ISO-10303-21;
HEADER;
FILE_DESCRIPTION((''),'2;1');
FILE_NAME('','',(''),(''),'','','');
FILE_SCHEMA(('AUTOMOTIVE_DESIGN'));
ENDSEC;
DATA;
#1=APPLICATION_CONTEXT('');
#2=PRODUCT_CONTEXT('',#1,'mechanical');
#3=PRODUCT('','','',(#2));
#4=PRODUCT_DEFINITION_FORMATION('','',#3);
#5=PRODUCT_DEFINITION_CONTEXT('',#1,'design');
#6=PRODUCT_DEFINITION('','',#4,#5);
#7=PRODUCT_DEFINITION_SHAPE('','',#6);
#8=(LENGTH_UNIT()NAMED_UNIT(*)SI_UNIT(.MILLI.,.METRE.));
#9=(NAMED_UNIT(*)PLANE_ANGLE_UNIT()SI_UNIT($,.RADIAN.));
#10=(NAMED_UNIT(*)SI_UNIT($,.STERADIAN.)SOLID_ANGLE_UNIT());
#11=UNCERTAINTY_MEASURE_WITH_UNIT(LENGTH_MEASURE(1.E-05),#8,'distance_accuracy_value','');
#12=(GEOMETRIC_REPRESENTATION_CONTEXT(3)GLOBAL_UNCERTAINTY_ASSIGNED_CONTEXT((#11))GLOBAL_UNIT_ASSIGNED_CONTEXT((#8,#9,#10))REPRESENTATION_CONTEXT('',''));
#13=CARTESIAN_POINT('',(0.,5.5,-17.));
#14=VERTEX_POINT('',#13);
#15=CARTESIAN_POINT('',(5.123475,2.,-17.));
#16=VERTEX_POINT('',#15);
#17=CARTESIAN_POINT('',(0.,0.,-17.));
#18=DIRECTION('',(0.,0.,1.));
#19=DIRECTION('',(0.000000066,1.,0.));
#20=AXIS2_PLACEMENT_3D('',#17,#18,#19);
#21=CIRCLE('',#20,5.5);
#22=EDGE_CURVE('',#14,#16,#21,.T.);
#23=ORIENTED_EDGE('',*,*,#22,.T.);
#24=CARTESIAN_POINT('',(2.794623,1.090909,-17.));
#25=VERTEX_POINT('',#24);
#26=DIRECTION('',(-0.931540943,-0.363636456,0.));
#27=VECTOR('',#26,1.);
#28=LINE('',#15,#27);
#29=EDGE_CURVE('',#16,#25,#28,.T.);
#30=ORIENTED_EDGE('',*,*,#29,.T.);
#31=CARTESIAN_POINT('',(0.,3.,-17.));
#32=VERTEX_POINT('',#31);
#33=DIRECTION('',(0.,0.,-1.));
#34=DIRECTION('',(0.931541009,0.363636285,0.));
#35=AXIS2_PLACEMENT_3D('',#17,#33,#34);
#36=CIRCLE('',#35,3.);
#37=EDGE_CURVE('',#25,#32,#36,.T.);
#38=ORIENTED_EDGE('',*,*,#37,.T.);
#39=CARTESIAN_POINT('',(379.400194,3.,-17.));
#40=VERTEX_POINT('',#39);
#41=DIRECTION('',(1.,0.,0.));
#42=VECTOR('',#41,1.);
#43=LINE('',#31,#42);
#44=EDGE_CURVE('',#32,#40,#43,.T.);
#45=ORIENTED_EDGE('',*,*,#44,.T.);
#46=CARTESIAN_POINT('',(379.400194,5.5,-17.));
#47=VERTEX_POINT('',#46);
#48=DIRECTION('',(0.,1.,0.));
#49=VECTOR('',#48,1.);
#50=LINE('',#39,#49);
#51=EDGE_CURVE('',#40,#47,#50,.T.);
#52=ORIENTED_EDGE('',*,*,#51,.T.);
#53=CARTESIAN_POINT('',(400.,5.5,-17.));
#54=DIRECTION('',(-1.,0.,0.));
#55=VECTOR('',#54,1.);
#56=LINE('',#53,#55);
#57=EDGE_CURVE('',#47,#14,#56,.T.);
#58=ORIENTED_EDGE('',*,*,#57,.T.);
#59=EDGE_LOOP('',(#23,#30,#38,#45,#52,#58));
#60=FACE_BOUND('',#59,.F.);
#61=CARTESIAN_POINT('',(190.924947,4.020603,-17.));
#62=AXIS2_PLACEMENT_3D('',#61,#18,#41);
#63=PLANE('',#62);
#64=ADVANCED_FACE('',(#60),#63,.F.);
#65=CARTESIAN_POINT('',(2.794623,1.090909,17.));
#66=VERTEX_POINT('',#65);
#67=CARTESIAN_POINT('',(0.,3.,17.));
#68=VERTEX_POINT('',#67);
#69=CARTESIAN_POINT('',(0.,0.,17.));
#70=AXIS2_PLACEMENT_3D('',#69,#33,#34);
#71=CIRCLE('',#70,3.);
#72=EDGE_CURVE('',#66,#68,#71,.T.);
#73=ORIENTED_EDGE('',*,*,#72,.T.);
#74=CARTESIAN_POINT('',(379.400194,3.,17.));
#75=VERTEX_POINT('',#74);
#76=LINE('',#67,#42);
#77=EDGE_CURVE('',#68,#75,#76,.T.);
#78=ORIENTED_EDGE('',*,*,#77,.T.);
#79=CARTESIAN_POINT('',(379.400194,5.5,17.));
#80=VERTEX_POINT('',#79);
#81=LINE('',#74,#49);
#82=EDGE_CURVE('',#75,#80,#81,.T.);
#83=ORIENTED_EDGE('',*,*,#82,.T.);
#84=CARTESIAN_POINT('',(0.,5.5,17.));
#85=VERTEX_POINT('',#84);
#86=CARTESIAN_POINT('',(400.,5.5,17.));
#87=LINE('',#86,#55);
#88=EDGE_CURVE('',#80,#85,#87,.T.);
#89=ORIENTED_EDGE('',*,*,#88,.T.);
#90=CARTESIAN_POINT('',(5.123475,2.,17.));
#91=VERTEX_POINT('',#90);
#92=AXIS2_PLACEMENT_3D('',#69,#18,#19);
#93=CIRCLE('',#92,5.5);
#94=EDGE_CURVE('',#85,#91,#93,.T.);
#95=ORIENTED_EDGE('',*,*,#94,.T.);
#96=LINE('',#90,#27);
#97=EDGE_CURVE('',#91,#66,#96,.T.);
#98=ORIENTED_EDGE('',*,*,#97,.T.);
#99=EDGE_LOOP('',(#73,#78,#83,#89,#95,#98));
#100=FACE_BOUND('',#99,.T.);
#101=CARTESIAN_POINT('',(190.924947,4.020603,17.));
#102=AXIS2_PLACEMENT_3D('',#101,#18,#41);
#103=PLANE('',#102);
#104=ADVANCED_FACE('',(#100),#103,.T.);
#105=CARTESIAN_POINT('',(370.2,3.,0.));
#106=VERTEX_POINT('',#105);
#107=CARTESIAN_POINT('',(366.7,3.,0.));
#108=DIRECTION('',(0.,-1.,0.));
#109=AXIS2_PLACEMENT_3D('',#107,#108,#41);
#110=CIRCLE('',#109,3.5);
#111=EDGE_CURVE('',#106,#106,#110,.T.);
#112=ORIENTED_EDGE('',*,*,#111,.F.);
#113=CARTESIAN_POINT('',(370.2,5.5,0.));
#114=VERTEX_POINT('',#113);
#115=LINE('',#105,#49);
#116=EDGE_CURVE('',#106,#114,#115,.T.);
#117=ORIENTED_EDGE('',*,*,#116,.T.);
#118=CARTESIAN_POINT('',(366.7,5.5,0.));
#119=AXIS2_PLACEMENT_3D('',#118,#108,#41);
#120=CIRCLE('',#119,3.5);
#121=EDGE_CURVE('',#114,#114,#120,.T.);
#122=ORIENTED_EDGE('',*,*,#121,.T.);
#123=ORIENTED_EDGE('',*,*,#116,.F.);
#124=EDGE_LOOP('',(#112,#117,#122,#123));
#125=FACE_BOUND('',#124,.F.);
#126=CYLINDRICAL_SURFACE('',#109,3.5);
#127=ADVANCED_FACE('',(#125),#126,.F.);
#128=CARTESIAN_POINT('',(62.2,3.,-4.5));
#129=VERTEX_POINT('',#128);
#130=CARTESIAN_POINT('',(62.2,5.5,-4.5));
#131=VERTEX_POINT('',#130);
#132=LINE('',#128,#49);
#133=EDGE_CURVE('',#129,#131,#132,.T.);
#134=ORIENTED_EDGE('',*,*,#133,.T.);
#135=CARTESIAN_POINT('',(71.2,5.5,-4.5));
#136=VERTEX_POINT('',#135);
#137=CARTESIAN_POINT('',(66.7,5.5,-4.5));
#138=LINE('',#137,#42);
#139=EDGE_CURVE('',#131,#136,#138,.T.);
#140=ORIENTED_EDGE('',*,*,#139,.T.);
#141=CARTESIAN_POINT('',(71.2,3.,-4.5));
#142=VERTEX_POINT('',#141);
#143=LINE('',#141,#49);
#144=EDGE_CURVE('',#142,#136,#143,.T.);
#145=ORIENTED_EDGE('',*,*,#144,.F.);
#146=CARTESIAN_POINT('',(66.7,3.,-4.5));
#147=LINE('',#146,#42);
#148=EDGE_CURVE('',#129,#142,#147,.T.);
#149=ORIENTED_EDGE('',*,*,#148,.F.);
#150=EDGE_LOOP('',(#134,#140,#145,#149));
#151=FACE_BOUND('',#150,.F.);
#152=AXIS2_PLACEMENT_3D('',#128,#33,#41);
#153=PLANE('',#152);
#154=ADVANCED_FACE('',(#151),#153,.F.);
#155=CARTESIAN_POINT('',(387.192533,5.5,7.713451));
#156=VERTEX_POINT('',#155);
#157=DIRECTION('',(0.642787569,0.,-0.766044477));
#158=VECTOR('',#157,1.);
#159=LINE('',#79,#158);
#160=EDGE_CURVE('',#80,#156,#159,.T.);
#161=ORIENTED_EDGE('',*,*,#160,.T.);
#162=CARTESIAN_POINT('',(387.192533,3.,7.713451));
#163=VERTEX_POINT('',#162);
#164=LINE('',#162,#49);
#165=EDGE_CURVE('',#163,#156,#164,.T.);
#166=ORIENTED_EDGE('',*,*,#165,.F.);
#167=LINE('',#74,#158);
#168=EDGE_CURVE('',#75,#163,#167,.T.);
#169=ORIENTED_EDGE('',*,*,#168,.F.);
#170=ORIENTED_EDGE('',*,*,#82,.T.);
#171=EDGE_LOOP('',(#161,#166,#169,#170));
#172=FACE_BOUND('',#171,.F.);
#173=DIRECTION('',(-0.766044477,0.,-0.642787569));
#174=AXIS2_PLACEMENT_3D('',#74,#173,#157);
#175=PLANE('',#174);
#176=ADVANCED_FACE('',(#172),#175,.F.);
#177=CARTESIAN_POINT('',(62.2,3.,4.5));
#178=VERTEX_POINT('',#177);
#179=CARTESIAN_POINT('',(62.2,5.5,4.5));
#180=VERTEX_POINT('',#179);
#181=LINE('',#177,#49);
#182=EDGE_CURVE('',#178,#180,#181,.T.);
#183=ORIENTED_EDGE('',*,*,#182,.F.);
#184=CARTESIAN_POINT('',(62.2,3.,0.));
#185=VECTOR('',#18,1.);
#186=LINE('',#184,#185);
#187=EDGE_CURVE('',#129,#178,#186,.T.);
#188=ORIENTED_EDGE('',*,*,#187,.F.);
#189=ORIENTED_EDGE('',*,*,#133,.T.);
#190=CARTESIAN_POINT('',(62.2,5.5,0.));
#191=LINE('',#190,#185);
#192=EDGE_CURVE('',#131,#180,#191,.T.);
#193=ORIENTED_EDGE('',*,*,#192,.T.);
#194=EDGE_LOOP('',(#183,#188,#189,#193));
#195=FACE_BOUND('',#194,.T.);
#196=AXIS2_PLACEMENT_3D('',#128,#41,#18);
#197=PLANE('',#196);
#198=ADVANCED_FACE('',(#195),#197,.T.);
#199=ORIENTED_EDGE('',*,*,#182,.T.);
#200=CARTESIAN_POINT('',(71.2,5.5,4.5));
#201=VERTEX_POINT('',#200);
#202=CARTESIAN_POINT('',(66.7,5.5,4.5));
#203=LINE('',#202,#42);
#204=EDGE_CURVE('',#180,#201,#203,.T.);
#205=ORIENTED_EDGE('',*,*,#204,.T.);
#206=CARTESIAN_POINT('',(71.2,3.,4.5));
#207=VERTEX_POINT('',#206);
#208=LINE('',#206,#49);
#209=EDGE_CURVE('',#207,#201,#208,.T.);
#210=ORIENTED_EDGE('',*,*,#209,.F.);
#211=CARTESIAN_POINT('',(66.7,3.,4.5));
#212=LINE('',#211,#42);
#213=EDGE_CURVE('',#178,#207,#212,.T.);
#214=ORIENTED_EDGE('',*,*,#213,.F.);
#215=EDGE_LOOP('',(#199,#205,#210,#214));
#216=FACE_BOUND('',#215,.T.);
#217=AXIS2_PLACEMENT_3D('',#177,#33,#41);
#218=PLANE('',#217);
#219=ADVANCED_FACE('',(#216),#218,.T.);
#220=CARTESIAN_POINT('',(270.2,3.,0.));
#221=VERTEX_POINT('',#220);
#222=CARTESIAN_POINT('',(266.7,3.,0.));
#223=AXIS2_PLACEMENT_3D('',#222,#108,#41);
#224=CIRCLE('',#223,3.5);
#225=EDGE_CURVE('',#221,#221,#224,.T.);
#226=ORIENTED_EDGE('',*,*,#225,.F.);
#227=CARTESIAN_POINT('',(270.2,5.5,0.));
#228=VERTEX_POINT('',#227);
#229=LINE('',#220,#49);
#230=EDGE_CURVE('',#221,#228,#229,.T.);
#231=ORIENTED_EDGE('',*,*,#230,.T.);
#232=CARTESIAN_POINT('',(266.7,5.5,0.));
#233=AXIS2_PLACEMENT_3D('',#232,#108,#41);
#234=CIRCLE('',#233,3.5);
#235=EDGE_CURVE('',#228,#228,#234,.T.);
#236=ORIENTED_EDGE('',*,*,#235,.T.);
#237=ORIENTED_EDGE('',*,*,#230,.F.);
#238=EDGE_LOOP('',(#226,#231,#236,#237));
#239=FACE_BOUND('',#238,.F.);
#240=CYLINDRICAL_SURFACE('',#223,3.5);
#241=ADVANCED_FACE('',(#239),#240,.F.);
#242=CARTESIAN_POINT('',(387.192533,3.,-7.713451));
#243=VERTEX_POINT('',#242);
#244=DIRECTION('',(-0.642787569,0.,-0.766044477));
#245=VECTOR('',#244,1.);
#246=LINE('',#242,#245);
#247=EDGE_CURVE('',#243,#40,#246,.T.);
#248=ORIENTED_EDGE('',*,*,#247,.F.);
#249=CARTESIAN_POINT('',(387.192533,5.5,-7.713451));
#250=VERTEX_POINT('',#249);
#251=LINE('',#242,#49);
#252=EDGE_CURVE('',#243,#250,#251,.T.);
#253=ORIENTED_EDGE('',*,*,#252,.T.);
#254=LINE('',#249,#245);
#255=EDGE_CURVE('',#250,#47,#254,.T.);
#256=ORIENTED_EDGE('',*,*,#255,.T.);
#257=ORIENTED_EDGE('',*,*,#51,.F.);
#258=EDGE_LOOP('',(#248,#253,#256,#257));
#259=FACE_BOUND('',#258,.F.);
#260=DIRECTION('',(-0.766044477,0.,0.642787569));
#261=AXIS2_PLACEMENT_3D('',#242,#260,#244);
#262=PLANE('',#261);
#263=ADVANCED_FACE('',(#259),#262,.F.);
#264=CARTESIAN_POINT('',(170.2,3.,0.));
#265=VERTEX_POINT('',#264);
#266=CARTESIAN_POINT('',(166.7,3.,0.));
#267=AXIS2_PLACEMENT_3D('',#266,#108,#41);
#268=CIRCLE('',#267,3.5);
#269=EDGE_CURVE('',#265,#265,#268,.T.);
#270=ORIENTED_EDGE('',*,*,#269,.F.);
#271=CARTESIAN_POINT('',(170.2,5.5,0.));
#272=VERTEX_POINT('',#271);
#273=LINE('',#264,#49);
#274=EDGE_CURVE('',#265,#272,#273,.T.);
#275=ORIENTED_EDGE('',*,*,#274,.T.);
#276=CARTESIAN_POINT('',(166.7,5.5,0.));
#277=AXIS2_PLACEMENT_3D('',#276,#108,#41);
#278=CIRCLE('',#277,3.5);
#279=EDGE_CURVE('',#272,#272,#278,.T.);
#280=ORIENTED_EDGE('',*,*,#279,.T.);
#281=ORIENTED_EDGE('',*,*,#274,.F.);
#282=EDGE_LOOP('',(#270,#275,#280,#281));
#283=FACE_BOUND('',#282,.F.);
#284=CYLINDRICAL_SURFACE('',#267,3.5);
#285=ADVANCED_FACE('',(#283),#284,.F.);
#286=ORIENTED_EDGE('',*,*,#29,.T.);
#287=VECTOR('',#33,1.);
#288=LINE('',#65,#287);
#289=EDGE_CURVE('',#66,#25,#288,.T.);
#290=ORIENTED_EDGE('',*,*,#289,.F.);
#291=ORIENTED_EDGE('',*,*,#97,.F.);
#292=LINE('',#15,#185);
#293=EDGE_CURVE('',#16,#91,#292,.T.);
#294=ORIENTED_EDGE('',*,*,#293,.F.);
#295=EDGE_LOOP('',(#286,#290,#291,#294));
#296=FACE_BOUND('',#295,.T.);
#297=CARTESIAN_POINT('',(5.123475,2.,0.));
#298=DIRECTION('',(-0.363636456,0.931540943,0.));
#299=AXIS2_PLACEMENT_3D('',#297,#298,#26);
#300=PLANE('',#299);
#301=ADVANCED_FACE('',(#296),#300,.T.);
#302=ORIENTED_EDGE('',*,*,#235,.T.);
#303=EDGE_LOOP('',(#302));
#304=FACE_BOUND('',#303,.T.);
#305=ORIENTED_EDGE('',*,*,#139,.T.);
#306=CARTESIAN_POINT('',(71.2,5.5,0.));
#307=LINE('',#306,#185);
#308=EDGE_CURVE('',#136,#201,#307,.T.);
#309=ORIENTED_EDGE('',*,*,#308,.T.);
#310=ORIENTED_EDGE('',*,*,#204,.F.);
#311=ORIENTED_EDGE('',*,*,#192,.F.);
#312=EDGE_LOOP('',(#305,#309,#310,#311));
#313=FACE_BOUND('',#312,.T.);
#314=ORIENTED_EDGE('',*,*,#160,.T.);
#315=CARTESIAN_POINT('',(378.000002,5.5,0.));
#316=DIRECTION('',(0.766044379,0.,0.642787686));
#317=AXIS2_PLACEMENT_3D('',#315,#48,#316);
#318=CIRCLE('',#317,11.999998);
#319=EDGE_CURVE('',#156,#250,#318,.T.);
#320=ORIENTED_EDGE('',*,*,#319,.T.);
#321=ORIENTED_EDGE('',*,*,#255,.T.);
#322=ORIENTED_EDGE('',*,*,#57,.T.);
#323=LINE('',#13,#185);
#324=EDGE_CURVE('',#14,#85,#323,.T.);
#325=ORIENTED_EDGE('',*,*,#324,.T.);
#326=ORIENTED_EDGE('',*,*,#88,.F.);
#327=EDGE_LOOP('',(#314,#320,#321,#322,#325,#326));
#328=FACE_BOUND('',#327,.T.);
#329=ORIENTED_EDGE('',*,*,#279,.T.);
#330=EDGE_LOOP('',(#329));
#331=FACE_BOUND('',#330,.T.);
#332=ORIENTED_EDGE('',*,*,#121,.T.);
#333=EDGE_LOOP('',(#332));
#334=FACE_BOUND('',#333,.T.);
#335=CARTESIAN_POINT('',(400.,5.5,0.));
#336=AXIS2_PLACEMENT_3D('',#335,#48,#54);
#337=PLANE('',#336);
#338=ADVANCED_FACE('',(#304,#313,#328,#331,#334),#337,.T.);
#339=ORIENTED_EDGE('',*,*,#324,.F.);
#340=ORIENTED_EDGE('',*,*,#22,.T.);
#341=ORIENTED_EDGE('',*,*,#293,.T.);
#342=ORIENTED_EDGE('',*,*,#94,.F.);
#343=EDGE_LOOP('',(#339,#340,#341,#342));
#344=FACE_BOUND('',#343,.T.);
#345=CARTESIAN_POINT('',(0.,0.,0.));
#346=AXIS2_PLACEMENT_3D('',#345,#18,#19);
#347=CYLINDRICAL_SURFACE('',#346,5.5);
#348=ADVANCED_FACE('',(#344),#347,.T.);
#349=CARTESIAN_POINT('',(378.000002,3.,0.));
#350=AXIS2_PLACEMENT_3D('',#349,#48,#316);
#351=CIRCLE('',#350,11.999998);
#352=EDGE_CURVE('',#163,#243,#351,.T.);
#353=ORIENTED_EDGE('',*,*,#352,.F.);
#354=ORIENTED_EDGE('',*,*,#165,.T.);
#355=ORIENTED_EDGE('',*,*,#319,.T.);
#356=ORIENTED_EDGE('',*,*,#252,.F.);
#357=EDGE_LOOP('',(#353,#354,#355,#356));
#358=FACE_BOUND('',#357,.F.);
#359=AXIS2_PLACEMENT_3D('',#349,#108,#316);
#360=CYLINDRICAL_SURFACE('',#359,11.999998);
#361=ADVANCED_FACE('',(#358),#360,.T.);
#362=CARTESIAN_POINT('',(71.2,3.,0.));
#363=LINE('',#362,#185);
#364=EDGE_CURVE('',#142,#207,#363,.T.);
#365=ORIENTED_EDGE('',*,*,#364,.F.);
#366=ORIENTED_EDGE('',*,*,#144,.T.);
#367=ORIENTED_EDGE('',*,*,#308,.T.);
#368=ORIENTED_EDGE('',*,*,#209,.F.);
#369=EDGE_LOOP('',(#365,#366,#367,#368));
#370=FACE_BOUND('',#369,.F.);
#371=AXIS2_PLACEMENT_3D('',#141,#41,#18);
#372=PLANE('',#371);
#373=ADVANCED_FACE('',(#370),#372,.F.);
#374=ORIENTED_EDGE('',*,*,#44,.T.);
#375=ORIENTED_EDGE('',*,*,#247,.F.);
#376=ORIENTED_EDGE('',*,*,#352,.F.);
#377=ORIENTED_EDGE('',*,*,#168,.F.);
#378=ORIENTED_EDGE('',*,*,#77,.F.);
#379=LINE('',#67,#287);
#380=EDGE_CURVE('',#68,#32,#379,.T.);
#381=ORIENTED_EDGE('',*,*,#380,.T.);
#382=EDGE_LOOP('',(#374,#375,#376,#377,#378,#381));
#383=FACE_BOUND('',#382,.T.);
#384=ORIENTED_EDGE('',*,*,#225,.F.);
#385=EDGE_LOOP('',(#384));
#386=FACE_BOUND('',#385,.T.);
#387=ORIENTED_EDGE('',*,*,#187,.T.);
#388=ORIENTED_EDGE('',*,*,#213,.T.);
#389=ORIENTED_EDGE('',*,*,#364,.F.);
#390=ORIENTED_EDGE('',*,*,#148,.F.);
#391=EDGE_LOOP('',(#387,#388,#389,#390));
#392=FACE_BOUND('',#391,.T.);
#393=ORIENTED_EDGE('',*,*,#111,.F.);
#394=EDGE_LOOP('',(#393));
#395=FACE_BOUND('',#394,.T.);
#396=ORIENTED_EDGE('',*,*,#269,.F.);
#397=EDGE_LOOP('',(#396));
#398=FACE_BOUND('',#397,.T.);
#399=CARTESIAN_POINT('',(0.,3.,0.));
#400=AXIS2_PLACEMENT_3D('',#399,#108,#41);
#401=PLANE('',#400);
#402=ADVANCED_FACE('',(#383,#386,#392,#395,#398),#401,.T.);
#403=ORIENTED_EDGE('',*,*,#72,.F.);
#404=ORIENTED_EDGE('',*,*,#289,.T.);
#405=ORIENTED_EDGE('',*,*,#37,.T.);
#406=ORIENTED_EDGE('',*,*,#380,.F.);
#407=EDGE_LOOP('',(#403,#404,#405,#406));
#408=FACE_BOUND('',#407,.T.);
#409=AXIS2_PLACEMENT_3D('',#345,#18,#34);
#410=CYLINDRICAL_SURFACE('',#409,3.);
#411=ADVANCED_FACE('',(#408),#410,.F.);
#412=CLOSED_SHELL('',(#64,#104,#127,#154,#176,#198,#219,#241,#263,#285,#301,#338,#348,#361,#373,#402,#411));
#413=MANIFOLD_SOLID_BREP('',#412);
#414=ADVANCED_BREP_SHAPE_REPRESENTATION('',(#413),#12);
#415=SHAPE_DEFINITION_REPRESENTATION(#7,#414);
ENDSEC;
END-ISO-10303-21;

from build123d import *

# Parameters (mm, degrees)
F1_DEPTH = 17
F2_W     = 9
F2_H     = 9
F2_R     = 3.5
F3_DEPTH = 2.5


with BuildPart() as f1:
    # F0 (on Top) → F1 (new body, symmetric)
    with BuildSketch(Plane.XY):
        with BuildLine():
            Line((400, 3), (400, 5.5))
            Line((400, 5.5), (0, 5.5))
            ThreePointArc((0, 5.5), (-3.102418, -4.541476), (5.123475, 2))
            Line((5.123475, 2), (2.794623, 1.090909))
            ThreePointArc((2.794623, 1.090909), (-1.692228, -2.477168), (0, 3))
            Line((0, 3), (400, 3))
        make_face()
    extrude(amount=F1_DEPTH, both=True)

    # F2 (on face) → F3 (cut, through all)
    with BuildSketch(Plane.XZ.offset(-3)):
        with BuildLine():
            Line((400, 17), (379.400194, 17))
            Line((379.400194, 17), (387.192533, 7.713451))
            ThreePointArc((387.192533, 7.713451), (390, 0), (387.192533, -7.713451))
            Line((387.192533, -7.713451), (379.400194, -17))
            Line((379.400194, -17), (400, -17))
            Line((400, -17), (400, 17))
        make_face()
        with Locations((66.7, 0)):
            Rectangle(F2_W, F2_H)
        with Locations((166.7, 0)):
            Circle(F2_R)
        with Locations((266.7, 0)):
            Circle(F2_R)
        with Locations((366.7, 0)):
            Circle(F2_R)
    extrude(amount=-F3_DEPTH, mode=Mode.SUBTRACT)


solid = f1.part
